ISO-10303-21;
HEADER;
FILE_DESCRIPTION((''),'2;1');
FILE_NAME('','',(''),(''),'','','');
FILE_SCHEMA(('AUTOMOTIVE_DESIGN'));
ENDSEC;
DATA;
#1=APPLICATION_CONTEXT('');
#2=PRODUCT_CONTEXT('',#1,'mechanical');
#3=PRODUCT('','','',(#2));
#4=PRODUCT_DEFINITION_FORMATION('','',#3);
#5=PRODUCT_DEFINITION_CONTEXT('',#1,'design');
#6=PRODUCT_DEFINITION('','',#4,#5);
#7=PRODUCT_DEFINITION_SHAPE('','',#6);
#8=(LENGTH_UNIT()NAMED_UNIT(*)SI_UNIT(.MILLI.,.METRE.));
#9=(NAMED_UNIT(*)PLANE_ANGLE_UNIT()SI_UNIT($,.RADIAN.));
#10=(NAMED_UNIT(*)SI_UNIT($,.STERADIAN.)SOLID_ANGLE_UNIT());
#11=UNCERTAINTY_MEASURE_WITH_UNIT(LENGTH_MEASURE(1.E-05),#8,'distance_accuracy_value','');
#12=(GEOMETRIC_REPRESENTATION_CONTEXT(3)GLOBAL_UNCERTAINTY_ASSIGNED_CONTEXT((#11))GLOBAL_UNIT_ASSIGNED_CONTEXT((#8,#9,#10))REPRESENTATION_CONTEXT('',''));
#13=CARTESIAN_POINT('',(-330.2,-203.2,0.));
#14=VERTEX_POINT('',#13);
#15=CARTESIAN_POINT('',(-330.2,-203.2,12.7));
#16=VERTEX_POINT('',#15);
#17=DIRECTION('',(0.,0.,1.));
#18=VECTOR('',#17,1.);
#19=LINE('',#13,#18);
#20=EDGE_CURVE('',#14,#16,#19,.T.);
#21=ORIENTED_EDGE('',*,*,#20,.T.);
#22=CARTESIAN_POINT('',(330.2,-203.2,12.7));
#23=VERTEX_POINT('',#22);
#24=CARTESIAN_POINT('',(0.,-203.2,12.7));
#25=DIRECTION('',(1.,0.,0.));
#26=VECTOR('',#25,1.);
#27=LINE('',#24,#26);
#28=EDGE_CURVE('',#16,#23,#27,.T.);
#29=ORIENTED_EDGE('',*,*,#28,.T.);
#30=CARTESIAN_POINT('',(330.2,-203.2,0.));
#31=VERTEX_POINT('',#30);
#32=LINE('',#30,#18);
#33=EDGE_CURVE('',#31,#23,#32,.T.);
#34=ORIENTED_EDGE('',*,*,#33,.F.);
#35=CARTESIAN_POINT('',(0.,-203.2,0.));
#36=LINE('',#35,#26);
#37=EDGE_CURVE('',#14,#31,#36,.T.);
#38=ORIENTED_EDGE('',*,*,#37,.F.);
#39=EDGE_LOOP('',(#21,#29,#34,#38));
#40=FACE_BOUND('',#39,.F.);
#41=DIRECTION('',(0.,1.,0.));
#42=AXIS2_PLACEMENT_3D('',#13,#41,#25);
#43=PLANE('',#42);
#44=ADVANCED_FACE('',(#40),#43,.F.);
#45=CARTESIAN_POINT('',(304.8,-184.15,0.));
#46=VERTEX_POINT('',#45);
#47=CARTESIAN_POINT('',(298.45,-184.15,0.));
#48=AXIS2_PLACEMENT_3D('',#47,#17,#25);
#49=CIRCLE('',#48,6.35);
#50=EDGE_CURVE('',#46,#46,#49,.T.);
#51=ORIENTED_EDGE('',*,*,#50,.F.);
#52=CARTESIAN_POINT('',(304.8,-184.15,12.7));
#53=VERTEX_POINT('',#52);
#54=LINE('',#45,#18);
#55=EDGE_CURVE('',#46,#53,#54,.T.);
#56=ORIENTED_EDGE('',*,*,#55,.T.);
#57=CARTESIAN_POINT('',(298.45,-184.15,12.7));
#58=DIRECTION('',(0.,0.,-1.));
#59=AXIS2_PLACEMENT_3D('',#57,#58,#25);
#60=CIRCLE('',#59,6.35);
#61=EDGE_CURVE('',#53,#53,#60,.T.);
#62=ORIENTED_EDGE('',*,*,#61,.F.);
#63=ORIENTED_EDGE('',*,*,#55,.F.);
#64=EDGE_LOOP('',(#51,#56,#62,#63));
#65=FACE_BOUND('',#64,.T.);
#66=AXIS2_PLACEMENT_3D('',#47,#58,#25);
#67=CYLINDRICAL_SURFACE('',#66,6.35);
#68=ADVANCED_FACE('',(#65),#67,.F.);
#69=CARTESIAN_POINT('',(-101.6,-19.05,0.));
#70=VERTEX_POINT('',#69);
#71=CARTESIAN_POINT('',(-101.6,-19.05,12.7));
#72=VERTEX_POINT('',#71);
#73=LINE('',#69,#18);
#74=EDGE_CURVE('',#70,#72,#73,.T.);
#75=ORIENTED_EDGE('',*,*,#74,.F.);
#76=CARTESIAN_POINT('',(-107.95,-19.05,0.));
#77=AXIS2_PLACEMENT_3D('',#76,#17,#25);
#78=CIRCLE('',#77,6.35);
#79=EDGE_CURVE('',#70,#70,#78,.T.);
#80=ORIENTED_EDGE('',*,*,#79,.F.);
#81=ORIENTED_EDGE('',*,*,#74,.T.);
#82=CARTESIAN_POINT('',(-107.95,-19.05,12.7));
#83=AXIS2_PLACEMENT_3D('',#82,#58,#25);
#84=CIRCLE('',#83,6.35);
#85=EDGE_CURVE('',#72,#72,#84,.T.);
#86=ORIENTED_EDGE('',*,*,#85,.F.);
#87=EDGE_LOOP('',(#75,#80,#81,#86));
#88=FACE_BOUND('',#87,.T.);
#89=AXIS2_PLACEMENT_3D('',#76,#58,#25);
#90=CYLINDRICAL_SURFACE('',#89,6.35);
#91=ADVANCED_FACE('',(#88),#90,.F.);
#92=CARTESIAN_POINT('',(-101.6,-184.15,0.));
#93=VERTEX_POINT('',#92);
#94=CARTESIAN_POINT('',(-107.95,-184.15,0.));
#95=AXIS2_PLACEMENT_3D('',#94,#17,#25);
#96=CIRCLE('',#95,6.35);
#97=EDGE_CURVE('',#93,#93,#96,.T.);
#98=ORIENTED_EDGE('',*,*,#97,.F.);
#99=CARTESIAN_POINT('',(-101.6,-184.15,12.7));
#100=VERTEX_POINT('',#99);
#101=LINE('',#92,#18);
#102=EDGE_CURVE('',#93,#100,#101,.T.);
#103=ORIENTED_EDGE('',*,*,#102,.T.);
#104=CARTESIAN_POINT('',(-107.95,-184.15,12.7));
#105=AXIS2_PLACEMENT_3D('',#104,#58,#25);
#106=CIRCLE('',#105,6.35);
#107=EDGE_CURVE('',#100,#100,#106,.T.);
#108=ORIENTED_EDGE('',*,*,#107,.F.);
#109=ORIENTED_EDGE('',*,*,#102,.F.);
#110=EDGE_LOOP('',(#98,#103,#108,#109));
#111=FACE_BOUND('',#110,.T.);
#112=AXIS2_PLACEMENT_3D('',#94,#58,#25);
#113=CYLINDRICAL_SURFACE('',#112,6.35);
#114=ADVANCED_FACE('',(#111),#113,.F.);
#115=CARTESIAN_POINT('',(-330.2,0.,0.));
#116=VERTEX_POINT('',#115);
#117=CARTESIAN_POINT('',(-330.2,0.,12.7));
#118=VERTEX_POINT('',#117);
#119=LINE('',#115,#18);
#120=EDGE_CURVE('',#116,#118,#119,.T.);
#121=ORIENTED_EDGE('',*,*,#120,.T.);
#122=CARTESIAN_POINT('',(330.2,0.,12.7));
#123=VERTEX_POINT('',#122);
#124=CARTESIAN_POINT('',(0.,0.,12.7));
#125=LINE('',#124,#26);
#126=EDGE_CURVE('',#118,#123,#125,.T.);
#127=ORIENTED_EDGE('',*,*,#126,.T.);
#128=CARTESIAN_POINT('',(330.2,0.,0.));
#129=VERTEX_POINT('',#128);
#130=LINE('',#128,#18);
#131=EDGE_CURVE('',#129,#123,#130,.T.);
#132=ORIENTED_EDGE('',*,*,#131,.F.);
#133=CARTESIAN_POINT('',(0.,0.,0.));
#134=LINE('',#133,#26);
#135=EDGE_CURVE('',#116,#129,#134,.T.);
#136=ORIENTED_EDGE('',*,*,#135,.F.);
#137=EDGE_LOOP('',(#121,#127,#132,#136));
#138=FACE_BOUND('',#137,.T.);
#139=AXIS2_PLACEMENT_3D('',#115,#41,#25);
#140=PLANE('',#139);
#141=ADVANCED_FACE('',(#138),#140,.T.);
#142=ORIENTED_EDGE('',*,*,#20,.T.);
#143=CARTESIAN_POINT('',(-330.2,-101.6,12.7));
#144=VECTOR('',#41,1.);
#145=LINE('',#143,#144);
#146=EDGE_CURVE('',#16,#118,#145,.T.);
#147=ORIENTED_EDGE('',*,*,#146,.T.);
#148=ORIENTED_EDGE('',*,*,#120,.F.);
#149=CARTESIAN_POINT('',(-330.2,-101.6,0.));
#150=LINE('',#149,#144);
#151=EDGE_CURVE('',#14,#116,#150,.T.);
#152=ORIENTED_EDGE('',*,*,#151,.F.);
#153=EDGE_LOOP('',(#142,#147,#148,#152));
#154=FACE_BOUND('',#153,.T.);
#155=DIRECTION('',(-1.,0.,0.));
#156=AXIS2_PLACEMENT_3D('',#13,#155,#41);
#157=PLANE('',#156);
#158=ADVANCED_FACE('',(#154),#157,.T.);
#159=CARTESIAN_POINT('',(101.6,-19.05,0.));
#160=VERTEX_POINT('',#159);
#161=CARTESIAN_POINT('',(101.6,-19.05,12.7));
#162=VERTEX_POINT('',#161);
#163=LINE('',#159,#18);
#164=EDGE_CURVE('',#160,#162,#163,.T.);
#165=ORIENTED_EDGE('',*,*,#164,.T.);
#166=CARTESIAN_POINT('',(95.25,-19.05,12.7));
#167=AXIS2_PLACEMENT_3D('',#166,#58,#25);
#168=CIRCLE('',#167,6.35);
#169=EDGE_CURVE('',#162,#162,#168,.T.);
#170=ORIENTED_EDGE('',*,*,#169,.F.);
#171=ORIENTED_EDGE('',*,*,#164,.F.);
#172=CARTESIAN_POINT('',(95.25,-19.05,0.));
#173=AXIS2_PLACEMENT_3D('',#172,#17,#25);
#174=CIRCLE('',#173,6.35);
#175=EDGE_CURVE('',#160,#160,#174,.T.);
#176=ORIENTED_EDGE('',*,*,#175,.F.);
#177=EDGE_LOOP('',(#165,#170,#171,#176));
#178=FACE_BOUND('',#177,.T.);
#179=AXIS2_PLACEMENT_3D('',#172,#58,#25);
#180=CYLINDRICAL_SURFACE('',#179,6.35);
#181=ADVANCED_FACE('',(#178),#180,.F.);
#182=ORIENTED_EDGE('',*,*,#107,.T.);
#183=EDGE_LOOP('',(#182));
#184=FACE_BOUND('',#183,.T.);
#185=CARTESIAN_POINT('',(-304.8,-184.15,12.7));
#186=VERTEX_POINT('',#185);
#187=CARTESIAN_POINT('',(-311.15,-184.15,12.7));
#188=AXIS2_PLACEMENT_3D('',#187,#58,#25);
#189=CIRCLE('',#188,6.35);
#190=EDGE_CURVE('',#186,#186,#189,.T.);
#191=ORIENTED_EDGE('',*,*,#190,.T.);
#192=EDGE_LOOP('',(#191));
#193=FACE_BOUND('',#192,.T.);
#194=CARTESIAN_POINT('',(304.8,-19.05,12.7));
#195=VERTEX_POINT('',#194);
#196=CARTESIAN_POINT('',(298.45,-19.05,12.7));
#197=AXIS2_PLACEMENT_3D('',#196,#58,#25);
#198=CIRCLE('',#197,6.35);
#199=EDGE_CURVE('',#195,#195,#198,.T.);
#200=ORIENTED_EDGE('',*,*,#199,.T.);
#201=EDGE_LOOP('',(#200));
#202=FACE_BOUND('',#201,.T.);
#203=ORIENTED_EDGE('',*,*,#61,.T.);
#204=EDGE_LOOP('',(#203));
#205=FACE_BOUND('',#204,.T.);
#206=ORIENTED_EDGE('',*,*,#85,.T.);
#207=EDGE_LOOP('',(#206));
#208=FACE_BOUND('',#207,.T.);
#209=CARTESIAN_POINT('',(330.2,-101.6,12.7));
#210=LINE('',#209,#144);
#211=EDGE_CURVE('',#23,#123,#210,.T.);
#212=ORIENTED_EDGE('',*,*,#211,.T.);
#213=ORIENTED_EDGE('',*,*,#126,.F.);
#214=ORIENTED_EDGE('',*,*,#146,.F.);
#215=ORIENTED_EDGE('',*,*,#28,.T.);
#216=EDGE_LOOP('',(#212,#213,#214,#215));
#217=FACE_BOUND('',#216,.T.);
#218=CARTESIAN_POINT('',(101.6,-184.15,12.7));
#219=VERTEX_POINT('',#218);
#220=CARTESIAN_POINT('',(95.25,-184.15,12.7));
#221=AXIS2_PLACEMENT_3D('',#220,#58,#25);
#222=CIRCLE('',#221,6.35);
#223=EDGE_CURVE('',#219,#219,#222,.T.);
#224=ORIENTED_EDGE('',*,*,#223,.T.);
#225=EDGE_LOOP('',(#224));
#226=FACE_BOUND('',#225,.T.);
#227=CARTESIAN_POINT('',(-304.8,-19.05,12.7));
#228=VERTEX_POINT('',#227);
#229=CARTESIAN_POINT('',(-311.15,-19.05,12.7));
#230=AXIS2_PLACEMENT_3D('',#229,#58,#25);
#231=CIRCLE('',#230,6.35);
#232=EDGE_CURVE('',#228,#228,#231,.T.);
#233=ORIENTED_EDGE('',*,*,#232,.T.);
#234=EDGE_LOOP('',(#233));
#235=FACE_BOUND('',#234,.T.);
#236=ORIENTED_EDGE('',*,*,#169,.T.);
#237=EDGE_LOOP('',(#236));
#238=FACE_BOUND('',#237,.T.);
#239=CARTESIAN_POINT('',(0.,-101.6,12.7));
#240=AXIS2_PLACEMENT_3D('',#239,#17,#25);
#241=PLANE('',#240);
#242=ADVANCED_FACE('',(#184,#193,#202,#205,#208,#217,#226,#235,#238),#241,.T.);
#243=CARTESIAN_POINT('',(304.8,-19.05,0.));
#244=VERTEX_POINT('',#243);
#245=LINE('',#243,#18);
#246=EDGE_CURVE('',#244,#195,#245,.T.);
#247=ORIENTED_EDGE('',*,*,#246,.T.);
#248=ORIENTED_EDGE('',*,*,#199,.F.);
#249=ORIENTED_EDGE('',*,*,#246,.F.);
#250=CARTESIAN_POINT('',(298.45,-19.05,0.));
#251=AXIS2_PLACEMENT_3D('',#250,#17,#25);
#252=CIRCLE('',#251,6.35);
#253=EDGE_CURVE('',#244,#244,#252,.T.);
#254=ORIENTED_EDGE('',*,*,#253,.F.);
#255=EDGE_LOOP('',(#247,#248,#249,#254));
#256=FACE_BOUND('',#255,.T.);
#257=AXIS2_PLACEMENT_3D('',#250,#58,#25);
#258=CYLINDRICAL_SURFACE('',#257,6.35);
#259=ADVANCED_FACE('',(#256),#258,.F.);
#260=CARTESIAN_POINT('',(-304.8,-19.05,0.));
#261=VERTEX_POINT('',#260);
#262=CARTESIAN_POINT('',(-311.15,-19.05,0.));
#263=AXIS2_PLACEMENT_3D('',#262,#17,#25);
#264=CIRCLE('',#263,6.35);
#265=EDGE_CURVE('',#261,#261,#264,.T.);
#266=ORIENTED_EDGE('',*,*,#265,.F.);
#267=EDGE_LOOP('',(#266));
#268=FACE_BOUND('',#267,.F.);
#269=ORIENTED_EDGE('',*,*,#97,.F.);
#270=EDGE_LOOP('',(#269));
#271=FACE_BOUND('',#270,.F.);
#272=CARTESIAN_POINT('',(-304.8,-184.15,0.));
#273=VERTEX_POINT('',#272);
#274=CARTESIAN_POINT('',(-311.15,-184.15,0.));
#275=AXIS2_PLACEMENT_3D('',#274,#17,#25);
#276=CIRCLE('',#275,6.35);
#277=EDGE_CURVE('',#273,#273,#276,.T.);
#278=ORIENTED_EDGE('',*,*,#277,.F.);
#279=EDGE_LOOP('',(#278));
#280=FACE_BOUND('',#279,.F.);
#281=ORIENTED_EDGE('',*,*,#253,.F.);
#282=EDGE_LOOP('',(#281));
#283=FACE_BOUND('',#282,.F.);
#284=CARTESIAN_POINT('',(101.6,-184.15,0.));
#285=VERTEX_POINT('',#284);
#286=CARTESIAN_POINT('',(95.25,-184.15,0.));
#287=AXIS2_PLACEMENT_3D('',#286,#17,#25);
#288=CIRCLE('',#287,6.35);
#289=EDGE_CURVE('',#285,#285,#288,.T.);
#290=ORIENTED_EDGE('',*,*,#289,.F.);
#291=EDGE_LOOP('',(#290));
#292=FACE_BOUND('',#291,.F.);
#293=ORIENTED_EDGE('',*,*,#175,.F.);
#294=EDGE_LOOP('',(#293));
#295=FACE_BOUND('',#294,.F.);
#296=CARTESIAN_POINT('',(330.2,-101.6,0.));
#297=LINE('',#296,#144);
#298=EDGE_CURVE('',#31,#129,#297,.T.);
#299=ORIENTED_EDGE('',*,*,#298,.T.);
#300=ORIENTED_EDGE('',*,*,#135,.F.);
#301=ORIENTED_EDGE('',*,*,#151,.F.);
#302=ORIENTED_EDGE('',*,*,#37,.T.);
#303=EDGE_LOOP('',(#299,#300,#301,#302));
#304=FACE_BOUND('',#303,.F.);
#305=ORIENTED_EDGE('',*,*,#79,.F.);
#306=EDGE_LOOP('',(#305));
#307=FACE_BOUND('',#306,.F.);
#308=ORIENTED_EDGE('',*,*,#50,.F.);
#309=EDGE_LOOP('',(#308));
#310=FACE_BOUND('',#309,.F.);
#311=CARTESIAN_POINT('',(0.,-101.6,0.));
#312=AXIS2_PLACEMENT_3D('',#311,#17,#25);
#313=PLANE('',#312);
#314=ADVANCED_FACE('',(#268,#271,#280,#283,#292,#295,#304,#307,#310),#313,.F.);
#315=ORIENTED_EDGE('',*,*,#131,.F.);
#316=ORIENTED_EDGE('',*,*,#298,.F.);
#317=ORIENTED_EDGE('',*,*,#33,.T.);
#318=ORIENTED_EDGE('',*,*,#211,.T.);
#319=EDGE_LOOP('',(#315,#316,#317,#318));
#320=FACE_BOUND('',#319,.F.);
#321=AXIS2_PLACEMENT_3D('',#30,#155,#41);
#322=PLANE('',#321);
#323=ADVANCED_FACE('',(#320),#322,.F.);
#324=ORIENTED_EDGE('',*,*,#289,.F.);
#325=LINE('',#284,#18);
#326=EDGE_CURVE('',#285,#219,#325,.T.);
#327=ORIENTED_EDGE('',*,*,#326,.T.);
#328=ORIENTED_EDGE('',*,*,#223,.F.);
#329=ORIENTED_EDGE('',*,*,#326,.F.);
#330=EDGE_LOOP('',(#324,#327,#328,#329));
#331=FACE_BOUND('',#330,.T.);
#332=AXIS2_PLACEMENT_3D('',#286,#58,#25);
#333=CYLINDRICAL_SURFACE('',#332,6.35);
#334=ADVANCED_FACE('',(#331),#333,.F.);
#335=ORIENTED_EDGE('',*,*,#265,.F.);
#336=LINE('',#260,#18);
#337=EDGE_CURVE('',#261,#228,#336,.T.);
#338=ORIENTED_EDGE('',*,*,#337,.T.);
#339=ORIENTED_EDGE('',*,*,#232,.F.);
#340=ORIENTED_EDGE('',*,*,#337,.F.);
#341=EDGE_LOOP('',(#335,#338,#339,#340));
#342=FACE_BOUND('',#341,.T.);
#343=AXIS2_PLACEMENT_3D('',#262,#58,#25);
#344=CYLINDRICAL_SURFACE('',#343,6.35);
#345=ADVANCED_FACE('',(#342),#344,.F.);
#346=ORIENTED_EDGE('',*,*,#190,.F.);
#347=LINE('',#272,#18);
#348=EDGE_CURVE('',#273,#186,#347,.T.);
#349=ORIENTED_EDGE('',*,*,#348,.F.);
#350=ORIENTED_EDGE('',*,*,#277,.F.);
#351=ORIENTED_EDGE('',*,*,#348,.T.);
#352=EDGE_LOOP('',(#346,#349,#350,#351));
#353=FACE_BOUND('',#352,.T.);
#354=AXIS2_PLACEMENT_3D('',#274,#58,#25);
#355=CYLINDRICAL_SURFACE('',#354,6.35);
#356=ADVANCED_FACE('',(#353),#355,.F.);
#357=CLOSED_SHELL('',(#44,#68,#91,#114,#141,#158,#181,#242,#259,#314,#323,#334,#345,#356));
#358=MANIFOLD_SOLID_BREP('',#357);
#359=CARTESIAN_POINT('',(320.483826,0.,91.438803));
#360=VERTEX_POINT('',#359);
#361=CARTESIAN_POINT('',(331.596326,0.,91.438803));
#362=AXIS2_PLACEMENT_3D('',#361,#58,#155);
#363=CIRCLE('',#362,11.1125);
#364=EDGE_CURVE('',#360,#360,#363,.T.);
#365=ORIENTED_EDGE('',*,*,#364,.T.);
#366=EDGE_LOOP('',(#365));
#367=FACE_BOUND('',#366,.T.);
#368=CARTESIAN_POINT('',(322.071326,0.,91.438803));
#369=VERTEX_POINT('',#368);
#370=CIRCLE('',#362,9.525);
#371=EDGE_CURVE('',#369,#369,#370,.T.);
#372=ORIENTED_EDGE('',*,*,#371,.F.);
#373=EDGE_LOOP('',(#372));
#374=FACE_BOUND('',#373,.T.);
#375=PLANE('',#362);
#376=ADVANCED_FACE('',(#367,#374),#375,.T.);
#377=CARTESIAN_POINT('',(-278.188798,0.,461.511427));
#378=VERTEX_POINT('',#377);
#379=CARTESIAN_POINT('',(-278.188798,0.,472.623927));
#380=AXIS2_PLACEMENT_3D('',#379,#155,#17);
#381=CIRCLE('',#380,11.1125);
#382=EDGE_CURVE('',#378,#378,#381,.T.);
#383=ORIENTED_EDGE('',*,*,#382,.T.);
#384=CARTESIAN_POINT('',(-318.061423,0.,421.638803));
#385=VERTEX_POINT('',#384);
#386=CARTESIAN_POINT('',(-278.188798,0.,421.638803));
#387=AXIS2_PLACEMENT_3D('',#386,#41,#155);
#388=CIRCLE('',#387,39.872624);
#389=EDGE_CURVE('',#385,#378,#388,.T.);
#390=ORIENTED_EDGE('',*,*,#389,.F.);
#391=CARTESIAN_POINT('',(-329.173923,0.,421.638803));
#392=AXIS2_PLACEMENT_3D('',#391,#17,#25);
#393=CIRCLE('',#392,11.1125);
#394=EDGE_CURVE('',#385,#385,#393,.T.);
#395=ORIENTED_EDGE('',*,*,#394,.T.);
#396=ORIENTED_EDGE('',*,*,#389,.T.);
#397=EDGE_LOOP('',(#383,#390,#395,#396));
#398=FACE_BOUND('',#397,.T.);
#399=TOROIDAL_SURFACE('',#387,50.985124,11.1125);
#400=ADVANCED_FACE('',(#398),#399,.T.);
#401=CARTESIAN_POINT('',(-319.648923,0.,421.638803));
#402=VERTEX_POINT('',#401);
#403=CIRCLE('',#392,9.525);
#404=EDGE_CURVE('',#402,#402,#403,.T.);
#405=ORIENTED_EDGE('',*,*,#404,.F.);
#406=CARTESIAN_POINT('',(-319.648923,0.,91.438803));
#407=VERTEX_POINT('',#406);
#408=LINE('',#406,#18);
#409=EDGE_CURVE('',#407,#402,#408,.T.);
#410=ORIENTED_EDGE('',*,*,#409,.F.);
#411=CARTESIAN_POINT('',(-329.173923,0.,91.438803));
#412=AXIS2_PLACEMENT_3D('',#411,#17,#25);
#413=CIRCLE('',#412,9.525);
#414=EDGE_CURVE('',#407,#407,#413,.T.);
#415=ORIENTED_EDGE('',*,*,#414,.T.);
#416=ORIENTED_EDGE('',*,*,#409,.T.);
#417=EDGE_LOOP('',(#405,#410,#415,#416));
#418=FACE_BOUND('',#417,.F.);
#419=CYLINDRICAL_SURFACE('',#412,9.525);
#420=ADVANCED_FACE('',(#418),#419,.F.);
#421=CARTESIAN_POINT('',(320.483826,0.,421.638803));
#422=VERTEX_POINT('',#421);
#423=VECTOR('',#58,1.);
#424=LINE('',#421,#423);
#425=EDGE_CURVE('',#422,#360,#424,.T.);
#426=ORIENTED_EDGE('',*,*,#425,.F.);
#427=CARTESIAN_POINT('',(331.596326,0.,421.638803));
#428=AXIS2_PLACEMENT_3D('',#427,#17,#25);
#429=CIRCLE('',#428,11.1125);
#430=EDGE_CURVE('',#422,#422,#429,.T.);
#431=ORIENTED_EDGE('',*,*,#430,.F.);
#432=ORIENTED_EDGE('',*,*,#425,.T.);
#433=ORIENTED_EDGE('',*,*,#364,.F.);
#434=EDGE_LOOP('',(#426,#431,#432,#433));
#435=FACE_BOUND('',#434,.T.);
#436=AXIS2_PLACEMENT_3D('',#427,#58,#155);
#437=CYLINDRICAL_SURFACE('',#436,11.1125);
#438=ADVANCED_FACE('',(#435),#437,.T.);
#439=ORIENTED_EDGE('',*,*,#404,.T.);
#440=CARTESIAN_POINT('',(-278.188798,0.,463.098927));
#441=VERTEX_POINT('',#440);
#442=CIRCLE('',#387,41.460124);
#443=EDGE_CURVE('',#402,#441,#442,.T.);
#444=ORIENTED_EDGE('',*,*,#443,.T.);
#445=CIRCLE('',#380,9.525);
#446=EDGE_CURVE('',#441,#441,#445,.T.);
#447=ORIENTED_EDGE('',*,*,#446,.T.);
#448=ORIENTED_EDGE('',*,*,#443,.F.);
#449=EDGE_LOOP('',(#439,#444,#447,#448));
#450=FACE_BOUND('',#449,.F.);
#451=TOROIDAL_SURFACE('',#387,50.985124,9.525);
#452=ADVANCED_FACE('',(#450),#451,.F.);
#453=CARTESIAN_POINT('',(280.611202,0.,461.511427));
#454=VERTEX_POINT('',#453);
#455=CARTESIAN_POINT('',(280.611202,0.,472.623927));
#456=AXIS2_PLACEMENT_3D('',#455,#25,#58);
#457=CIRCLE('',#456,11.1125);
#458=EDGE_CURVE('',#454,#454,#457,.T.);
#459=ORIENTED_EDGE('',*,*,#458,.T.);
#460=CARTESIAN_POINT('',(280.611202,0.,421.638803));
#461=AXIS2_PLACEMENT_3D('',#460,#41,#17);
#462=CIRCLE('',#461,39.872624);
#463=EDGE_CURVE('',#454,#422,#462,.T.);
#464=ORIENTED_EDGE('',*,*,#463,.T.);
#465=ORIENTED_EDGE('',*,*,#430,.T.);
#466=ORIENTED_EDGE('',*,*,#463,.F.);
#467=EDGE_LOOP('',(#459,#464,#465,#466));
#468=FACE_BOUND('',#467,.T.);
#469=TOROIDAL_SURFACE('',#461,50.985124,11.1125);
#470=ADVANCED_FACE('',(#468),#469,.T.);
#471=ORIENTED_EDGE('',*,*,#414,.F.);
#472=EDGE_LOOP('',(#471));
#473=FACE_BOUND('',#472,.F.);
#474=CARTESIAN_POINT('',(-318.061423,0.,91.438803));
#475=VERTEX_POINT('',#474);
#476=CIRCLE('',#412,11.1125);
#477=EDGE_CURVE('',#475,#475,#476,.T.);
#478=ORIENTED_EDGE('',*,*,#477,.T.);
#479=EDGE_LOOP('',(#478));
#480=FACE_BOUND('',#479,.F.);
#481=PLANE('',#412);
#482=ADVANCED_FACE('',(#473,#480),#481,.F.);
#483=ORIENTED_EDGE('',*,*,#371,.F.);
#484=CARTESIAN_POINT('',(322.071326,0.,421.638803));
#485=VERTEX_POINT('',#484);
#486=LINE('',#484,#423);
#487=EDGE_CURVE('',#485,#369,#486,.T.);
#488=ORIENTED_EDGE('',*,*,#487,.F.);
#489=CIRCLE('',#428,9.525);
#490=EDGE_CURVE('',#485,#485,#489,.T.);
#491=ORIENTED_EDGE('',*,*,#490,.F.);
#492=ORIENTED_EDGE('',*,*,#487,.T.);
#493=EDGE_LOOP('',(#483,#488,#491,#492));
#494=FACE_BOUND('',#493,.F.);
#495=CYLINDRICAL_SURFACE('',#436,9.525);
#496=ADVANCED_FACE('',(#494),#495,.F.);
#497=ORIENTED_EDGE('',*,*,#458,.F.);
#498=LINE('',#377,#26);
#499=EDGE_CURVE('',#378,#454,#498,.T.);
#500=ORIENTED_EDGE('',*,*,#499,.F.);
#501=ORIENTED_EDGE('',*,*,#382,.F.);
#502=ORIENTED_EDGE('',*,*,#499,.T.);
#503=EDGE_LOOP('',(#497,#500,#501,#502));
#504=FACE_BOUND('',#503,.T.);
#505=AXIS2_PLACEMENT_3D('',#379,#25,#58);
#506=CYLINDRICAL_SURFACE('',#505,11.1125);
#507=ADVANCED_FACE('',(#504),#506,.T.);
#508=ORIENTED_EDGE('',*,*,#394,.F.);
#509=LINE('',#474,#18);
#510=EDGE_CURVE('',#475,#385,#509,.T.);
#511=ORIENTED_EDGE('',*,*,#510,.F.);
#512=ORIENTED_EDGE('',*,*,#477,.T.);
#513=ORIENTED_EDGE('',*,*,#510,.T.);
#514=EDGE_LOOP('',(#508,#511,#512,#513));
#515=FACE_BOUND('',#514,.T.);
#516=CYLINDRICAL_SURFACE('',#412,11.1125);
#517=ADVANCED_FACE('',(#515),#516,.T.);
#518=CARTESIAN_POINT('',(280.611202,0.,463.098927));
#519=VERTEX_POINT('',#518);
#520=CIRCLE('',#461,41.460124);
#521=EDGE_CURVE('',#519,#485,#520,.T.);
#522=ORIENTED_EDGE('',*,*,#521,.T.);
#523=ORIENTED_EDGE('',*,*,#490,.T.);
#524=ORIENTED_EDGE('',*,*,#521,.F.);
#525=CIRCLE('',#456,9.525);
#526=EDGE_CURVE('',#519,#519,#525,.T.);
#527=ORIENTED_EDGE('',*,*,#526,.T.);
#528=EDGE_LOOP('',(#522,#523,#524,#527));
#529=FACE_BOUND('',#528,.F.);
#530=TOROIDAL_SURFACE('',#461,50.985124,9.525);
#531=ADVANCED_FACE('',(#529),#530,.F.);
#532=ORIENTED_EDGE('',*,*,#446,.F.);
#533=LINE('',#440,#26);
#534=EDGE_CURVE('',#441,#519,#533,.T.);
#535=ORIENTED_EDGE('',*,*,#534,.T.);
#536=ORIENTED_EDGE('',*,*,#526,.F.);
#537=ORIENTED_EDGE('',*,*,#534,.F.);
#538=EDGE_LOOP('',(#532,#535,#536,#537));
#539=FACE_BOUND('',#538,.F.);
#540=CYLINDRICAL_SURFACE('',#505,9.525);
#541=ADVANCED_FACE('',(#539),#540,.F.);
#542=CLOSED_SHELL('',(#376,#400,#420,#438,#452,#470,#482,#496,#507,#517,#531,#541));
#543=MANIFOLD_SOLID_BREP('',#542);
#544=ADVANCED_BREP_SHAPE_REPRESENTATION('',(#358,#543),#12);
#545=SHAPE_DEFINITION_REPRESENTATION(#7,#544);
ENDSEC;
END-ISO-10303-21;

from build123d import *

# Parameters (mm, degrees)
F0_W     = 660.4
F0_H     = 203.2
F2_DEPTH = 12.7
F1_R     = 6.35
F3_DEPTH = 12.701
F6_R     = 11.1125
F6_R_2   = 9.525


with BuildPart() as f2:
    # F0 (on Top) → F2 (new body)
    with BuildSketch(Plane.XY):
        with Locations((0, -101.6)):
            Rectangle(F0_W, F0_H)
    extrude(amount=F2_DEPTH)

    # F1 (on face) → F3 (cut, through all)
    with BuildSketch(Plane.XY):
        with Locations((-311.15, -184.15)):
            Circle(F1_R)
        with Locations((-311.15, -19.05)):
            Circle(F1_R)
        with Locations((-107.95, -184.15)):
            Circle(F1_R)
        with Locations((-107.95, -19.05)):
            Circle(F1_R)
        with Locations((95.25, -184.15)):
            Circle(F1_R)
        with Locations((95.25, -19.05)):
            Circle(F1_R)
        with Locations((298.45, -184.15)):
            Circle(F1_R)
        with Locations((298.45, -19.05)):
            Circle(F1_R)
    extrude(amount=F3_DEPTH, mode=Mode.SUBTRACT)


with BuildPart() as f7:
    # F7: sweep along a path in F4
    with BuildLine(Plane.XZ) as f7_path:
        Line((-328.9887982047, 91.4388030012), (-328.9887982047, 421.6388030012))
        ThreePointArc((-328.9887982047, 421.6388030012), (-314.109822689, 457.5598274855), (-278.1887982047, 472.4388030012))
        Line((-278.1887982047, 472.4388030012), (280.6112017953, 472.4388030012))
        ThreePointArc((280.6112017953, 472.4388030012), (316.5322262796, 457.5598274855), (331.4112017953, 421.6388030012))
        Line((331.4112017953, 421.6388030012), (331.4112017953, 91.4388030012))
    # F6 (on plane+point) → F7 (sweep)
    with BuildSketch(Plane.XY.offset(91.4388030012)):
        with Locations((-329.1739225388, 0)):
            Circle(F6_R)
        with Locations((-329.1739225388, 0)):
            Circle(F6_R_2, mode=Mode.SUBTRACT)
    sweep(path=f7_path.line)


solid = Compound([f2.part, f7.part])
